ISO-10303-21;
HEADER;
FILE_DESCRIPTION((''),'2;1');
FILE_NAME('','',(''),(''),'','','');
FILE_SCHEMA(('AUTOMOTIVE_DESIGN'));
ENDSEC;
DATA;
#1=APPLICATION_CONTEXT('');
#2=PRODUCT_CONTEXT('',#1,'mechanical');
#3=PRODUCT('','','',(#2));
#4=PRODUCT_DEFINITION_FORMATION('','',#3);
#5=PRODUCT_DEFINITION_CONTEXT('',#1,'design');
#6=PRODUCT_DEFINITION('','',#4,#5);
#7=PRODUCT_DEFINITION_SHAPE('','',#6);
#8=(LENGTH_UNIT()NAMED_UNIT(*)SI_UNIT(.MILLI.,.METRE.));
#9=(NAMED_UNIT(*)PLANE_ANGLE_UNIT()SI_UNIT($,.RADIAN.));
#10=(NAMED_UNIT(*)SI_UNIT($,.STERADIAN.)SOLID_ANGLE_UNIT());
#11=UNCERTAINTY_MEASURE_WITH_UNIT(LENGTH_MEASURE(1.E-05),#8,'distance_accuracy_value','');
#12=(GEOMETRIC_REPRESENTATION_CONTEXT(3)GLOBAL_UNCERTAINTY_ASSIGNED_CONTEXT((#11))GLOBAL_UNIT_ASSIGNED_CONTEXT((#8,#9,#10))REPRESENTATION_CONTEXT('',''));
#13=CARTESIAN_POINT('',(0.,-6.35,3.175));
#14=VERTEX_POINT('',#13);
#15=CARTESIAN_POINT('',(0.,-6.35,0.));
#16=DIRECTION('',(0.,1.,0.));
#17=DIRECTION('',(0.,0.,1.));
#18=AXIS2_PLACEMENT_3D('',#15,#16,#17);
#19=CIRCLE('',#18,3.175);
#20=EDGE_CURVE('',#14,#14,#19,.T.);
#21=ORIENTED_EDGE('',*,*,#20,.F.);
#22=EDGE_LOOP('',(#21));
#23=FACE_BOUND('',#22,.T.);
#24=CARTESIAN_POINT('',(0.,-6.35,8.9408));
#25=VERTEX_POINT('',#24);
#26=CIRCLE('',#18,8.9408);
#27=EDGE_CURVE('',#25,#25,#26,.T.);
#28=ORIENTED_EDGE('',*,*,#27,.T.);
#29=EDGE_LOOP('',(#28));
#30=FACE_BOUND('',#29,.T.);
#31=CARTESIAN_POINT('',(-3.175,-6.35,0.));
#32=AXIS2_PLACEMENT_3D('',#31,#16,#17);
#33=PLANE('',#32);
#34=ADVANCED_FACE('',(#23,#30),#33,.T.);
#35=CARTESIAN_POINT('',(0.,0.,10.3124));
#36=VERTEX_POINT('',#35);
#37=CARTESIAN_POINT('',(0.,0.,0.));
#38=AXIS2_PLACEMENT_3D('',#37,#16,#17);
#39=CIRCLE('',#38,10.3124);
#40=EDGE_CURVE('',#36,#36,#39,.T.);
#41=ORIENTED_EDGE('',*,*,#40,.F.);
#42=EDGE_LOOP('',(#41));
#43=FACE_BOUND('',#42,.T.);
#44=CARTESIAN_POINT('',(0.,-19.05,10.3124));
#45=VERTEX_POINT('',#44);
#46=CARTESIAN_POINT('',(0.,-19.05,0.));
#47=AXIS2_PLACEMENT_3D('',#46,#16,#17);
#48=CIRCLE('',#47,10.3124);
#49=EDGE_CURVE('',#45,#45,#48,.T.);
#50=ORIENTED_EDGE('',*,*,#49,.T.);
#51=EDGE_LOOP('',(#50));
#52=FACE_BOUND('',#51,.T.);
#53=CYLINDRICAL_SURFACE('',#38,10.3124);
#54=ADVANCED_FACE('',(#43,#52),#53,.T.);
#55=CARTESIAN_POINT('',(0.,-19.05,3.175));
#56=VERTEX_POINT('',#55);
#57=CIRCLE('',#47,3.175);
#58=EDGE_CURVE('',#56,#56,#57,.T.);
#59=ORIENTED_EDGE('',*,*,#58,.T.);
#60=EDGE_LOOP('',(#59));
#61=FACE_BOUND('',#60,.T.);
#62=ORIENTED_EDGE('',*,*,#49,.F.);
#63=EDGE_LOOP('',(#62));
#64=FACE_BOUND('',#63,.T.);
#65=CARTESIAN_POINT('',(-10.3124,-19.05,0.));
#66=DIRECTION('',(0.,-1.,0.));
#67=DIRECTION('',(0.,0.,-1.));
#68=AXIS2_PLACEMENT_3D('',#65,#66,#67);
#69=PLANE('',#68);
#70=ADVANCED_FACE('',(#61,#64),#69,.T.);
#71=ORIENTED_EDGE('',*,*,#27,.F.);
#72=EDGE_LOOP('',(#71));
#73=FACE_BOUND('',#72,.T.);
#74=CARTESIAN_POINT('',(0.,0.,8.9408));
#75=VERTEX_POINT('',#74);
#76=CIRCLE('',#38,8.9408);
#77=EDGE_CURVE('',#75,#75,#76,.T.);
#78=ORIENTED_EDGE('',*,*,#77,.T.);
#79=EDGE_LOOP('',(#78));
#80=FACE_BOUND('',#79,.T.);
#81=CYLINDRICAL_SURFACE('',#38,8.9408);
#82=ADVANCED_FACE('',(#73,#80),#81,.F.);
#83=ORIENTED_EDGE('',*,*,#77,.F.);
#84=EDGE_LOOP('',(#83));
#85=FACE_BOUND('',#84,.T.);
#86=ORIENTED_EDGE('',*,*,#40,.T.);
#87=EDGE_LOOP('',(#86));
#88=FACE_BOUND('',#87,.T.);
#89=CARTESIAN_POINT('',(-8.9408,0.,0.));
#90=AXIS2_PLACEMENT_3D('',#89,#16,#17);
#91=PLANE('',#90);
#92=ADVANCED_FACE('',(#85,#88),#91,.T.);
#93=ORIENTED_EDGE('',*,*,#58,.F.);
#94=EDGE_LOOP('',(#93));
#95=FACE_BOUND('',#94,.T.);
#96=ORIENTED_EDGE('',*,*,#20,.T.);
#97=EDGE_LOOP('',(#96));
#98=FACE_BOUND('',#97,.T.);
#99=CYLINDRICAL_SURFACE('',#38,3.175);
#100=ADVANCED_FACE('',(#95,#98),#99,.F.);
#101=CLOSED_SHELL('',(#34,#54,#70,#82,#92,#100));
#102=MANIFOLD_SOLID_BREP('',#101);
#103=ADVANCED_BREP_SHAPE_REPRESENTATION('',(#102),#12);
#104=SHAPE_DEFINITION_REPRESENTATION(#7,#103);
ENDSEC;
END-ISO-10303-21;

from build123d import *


with BuildPart() as part:
    # Sketch2 → Revolve1 (revolve)
    with BuildSketch(Plane.XY):
        Polygon((-3.175, -6.35), (-8.9408, -6.35), (-8.9408, 0), (-10.3124, 0), (-10.3124, -19.05), (-3.175, -19.05), align=None)
    revolve(axis=Axis((0, 0, 0), (0, -1, 0)))


solid = part.part
